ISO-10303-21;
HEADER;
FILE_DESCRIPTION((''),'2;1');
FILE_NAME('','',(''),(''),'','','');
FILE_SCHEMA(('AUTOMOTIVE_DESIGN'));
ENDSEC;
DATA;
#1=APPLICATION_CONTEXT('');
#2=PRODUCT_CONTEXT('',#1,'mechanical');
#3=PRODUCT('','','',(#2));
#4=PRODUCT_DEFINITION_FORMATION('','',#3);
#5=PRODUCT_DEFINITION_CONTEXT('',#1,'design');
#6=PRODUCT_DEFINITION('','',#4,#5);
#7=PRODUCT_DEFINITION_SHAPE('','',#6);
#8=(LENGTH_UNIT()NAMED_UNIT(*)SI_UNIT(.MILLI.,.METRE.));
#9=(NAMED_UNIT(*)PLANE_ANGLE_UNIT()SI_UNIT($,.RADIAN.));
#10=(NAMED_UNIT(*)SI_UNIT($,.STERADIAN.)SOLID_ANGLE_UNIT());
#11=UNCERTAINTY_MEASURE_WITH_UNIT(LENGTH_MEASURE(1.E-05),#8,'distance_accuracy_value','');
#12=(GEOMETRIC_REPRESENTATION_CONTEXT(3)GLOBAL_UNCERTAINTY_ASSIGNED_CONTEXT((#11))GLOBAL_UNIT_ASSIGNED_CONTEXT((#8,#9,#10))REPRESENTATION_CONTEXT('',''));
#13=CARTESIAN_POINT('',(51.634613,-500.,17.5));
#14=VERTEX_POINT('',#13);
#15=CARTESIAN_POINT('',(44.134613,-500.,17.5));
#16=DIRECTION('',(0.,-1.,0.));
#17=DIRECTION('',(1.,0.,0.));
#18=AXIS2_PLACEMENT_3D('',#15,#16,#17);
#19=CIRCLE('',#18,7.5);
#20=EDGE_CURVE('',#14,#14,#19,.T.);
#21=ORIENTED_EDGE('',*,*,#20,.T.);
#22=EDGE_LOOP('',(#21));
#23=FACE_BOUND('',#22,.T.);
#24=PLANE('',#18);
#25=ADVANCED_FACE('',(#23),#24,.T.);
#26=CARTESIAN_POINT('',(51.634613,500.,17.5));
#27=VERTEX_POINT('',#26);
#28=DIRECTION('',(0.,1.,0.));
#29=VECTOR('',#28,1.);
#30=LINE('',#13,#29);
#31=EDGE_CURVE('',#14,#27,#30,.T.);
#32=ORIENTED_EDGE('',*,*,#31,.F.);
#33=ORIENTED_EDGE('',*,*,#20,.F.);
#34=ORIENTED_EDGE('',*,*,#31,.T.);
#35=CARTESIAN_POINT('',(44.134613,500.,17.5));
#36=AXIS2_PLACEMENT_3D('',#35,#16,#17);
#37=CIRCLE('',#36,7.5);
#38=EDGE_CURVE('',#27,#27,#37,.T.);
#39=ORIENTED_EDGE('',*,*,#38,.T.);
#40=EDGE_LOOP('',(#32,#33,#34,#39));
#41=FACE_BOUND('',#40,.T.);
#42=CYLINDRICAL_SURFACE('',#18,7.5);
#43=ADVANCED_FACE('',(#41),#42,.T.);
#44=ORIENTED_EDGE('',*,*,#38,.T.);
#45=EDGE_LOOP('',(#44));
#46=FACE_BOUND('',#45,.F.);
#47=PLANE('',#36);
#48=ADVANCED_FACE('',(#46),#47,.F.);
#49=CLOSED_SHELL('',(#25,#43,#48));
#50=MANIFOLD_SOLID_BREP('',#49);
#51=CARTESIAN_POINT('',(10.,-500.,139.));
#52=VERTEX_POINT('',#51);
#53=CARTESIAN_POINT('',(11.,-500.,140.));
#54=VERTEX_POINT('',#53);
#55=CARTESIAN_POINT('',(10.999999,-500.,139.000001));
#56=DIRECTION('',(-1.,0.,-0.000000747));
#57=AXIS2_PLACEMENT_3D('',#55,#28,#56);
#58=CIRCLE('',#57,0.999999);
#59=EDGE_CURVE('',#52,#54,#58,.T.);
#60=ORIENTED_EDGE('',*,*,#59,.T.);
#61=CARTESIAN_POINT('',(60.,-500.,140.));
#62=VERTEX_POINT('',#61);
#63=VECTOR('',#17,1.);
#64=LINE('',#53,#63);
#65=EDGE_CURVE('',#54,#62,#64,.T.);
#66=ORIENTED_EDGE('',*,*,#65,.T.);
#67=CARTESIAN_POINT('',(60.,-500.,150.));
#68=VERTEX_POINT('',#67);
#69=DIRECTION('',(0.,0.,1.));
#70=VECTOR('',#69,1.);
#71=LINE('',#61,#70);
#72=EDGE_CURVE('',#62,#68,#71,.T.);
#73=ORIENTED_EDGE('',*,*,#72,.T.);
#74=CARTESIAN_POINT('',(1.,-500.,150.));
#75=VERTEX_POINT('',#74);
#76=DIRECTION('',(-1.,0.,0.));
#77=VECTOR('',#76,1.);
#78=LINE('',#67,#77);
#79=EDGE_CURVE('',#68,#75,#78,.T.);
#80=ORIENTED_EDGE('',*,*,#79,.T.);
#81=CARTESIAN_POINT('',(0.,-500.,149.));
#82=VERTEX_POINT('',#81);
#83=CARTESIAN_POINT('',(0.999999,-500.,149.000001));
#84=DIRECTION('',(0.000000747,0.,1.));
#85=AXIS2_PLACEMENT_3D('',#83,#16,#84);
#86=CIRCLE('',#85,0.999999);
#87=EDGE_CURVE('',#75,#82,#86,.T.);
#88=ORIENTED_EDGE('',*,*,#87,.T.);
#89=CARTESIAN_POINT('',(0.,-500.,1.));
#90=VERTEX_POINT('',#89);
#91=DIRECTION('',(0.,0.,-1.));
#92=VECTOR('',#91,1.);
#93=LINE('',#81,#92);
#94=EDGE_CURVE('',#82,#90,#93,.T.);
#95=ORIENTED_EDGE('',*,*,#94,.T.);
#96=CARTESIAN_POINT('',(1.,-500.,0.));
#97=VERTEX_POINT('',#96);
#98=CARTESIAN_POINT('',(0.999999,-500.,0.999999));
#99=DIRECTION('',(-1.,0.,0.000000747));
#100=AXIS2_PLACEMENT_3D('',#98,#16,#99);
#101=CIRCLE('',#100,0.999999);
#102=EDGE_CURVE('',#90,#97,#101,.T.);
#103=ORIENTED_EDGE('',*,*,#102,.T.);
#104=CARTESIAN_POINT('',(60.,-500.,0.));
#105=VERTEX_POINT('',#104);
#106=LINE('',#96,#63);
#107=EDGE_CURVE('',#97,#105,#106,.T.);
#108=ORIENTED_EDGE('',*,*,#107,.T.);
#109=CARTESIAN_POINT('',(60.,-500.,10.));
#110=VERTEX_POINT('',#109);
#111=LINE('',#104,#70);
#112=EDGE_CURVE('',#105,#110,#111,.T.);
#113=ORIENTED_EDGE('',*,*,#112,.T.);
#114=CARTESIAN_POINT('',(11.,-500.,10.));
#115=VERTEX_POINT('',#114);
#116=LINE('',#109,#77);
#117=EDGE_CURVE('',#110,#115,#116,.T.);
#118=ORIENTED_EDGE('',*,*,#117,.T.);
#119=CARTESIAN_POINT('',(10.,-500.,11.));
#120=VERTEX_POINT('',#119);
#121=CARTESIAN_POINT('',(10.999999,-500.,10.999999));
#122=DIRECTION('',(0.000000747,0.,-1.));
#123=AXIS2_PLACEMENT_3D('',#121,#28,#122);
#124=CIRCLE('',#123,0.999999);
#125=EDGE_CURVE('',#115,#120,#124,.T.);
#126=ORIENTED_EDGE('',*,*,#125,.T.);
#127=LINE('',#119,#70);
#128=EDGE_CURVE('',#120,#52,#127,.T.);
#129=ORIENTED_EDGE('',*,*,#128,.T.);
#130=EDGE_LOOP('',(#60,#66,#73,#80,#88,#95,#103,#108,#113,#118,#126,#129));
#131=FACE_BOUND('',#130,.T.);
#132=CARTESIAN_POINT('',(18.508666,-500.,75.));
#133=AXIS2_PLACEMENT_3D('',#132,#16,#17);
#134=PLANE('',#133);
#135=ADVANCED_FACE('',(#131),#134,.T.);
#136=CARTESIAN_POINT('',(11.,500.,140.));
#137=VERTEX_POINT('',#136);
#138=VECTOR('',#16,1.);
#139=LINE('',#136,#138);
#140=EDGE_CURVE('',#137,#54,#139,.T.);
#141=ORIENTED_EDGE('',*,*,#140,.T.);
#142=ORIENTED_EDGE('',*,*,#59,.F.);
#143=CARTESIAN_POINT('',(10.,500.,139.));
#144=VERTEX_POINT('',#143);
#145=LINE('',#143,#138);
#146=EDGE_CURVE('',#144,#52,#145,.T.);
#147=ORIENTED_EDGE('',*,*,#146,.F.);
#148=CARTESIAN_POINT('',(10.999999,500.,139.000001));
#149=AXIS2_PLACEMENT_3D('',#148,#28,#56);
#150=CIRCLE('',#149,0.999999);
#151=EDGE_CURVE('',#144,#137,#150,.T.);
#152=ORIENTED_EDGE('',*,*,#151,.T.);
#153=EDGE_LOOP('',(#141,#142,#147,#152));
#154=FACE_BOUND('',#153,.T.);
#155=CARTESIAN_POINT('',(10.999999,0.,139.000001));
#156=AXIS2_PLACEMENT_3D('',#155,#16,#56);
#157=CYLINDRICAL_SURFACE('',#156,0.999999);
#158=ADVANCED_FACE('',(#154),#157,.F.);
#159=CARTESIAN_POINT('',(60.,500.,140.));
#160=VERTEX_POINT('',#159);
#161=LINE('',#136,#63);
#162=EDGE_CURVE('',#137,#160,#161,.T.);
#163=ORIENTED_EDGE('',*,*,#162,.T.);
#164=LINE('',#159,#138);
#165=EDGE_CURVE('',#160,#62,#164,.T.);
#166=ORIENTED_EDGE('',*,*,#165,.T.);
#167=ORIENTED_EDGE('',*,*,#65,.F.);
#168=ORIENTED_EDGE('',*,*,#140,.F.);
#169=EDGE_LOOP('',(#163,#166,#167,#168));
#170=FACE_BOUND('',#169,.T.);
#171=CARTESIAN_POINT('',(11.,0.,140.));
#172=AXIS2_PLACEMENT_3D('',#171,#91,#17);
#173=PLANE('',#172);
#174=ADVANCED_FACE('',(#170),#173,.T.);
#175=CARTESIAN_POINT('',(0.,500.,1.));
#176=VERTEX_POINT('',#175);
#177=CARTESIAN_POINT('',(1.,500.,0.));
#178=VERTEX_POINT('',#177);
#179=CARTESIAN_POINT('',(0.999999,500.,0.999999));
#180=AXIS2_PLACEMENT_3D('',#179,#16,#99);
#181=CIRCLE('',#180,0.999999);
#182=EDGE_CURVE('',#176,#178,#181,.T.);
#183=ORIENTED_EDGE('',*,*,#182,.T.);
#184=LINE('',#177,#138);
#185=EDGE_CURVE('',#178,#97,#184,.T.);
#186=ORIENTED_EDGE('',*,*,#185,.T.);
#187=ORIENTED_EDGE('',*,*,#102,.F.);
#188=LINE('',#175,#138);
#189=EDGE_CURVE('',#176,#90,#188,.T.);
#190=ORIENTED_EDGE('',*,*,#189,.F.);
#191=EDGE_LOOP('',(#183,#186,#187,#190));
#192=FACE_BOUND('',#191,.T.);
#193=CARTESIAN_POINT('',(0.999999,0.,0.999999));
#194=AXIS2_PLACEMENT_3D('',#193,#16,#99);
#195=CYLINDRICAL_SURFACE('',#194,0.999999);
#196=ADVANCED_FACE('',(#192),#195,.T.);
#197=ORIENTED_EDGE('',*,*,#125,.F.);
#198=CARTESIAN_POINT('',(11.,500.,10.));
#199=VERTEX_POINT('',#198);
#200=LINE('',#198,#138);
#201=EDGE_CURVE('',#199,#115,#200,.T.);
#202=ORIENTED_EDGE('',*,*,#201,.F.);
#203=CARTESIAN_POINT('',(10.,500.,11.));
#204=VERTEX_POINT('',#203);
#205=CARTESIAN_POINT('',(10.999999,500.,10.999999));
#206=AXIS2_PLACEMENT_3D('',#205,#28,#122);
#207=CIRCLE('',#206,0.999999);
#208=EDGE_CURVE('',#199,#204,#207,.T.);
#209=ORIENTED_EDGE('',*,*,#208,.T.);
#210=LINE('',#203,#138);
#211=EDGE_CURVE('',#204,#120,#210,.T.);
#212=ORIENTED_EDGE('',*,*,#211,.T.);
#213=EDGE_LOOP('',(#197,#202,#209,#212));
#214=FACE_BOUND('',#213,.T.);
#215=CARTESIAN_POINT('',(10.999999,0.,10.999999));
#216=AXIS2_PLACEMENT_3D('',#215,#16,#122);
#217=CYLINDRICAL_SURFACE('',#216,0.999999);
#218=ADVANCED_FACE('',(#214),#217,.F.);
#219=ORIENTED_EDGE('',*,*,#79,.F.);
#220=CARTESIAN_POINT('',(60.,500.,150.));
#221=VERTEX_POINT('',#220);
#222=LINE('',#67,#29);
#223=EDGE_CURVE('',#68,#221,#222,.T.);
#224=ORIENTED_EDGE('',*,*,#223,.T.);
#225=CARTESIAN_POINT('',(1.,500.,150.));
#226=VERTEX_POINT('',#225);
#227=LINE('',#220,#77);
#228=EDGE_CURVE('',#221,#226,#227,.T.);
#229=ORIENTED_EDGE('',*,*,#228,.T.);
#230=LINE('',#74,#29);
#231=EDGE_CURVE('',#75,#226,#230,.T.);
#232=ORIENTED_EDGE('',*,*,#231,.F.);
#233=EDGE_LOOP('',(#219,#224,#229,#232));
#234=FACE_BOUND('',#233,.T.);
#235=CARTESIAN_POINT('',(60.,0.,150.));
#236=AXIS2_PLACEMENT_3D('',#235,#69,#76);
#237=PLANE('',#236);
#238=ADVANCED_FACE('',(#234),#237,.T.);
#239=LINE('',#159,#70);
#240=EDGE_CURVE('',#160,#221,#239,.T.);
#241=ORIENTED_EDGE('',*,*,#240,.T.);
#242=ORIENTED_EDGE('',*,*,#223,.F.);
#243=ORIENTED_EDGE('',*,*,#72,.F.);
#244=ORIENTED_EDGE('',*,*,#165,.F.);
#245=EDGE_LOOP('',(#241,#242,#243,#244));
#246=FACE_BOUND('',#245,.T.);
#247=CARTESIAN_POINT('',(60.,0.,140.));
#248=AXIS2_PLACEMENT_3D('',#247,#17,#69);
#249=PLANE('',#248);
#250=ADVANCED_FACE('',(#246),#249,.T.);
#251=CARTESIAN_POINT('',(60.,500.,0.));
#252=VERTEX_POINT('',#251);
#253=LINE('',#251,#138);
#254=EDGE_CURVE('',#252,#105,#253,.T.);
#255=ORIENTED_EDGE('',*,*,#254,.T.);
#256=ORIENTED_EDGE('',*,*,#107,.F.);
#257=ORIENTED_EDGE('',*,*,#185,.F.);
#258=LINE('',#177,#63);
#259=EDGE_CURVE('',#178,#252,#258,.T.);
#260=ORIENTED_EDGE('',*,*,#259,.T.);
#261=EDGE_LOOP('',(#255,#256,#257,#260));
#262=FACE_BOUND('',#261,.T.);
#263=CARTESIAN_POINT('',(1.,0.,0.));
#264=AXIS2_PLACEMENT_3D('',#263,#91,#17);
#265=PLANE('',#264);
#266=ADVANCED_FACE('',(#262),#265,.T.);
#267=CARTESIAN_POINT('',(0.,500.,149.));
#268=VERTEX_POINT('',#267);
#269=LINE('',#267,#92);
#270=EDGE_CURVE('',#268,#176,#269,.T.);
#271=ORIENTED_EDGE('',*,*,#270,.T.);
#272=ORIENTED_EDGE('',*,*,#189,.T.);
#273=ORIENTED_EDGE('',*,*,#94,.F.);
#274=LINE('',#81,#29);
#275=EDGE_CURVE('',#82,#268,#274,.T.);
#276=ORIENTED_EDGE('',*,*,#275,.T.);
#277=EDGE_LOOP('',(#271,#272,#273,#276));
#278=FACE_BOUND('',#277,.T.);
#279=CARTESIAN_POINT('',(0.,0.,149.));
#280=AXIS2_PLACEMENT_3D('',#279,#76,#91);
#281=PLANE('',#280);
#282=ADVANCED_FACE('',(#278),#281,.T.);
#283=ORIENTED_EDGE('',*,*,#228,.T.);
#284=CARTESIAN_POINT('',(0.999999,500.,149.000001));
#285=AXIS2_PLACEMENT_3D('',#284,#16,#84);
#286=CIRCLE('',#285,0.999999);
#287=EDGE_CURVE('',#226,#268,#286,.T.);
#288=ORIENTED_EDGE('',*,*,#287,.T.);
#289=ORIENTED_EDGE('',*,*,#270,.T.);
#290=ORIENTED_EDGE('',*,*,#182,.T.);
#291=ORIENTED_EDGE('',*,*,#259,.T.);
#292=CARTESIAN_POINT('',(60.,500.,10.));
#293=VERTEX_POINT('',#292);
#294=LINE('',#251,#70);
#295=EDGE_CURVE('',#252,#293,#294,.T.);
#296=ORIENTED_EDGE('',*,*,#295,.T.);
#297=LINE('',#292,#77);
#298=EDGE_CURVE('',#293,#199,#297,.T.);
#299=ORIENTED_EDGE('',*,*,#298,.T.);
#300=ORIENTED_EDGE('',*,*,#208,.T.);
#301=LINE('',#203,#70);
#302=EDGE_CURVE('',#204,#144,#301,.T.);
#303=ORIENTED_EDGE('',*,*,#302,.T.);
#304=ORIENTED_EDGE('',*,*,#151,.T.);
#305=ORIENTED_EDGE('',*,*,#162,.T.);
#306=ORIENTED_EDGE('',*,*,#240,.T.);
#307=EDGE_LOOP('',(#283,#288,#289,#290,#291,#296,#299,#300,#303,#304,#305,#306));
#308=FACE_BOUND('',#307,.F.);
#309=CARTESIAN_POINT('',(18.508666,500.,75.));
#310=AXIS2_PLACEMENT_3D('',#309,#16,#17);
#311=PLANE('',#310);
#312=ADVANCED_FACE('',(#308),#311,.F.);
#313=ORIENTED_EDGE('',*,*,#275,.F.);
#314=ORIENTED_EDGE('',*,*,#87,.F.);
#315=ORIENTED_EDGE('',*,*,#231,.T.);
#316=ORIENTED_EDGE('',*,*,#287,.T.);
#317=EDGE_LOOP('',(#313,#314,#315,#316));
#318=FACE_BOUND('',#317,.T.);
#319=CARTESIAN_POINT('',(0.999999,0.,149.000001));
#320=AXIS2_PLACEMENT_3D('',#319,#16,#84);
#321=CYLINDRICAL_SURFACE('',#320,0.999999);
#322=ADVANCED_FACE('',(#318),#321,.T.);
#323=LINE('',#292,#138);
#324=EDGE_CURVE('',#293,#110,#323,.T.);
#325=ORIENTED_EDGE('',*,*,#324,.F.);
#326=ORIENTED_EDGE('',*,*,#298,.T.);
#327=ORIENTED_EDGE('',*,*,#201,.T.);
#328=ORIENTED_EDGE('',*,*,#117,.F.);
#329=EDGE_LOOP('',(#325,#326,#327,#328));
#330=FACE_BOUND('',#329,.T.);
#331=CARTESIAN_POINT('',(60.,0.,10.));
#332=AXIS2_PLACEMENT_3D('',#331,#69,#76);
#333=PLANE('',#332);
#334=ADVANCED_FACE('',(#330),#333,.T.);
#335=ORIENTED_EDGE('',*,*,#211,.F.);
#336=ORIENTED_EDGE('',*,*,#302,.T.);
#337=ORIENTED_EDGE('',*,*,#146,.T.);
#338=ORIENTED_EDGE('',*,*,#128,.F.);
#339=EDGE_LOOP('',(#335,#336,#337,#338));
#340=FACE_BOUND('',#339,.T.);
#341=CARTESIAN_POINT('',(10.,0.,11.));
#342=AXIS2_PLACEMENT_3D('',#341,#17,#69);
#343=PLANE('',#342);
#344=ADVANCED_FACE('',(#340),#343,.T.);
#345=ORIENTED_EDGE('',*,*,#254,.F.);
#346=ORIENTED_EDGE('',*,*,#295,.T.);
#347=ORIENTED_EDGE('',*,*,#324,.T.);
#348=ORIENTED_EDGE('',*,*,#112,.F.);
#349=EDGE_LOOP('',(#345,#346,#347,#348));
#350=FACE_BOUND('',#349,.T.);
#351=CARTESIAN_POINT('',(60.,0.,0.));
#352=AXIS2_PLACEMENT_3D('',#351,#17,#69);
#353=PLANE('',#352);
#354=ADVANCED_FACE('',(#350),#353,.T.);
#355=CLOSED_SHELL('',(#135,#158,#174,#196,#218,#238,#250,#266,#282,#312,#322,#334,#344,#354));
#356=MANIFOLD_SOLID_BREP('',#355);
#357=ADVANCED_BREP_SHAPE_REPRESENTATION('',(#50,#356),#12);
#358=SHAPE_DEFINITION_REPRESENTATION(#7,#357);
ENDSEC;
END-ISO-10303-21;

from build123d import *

# Parameters (mm, degrees)
F1_DEPTH = 500
F2_R     = 7.5
F3_DEPTH = 1000


with BuildPart() as f1:
    # F0 (on Front) → F1 (new body, symmetric)
    with BuildSketch(Plane.XZ):
        with BuildLine():
            Line((0, 149), (0, 1))
            ThreePointArc((0, 1), (0.292893, 0.292893), (1, 0))
            Line((1, 0), (60, 0))
            Line((60, 0), (60, 10))
            Line((60, 10), (11, 10))
            ThreePointArc((11, 10), (10.292893, 10.292893), (10, 11))
            Line((10, 11), (10, 139))
            ThreePointArc((10, 139), (10.292893, 139.707107), (11, 140))
            Line((11, 140), (60, 140))
            Line((60, 140), (60, 150))
            Line((60, 150), (1, 150))
            ThreePointArc((1, 150), (0.292893, 149.707107), (0, 149))
        make_face()
    extrude(amount=F1_DEPTH, both=True)


with BuildPart() as f3:
    # F2 (on face) → F3 (new body)
    with BuildSketch(Plane.XZ.offset(500)):
        with Locations((44.134613, 17.5)):
            Circle(F2_R)
    extrude(amount=-F3_DEPTH)


solid = Compound([f1.part, f3.part])
